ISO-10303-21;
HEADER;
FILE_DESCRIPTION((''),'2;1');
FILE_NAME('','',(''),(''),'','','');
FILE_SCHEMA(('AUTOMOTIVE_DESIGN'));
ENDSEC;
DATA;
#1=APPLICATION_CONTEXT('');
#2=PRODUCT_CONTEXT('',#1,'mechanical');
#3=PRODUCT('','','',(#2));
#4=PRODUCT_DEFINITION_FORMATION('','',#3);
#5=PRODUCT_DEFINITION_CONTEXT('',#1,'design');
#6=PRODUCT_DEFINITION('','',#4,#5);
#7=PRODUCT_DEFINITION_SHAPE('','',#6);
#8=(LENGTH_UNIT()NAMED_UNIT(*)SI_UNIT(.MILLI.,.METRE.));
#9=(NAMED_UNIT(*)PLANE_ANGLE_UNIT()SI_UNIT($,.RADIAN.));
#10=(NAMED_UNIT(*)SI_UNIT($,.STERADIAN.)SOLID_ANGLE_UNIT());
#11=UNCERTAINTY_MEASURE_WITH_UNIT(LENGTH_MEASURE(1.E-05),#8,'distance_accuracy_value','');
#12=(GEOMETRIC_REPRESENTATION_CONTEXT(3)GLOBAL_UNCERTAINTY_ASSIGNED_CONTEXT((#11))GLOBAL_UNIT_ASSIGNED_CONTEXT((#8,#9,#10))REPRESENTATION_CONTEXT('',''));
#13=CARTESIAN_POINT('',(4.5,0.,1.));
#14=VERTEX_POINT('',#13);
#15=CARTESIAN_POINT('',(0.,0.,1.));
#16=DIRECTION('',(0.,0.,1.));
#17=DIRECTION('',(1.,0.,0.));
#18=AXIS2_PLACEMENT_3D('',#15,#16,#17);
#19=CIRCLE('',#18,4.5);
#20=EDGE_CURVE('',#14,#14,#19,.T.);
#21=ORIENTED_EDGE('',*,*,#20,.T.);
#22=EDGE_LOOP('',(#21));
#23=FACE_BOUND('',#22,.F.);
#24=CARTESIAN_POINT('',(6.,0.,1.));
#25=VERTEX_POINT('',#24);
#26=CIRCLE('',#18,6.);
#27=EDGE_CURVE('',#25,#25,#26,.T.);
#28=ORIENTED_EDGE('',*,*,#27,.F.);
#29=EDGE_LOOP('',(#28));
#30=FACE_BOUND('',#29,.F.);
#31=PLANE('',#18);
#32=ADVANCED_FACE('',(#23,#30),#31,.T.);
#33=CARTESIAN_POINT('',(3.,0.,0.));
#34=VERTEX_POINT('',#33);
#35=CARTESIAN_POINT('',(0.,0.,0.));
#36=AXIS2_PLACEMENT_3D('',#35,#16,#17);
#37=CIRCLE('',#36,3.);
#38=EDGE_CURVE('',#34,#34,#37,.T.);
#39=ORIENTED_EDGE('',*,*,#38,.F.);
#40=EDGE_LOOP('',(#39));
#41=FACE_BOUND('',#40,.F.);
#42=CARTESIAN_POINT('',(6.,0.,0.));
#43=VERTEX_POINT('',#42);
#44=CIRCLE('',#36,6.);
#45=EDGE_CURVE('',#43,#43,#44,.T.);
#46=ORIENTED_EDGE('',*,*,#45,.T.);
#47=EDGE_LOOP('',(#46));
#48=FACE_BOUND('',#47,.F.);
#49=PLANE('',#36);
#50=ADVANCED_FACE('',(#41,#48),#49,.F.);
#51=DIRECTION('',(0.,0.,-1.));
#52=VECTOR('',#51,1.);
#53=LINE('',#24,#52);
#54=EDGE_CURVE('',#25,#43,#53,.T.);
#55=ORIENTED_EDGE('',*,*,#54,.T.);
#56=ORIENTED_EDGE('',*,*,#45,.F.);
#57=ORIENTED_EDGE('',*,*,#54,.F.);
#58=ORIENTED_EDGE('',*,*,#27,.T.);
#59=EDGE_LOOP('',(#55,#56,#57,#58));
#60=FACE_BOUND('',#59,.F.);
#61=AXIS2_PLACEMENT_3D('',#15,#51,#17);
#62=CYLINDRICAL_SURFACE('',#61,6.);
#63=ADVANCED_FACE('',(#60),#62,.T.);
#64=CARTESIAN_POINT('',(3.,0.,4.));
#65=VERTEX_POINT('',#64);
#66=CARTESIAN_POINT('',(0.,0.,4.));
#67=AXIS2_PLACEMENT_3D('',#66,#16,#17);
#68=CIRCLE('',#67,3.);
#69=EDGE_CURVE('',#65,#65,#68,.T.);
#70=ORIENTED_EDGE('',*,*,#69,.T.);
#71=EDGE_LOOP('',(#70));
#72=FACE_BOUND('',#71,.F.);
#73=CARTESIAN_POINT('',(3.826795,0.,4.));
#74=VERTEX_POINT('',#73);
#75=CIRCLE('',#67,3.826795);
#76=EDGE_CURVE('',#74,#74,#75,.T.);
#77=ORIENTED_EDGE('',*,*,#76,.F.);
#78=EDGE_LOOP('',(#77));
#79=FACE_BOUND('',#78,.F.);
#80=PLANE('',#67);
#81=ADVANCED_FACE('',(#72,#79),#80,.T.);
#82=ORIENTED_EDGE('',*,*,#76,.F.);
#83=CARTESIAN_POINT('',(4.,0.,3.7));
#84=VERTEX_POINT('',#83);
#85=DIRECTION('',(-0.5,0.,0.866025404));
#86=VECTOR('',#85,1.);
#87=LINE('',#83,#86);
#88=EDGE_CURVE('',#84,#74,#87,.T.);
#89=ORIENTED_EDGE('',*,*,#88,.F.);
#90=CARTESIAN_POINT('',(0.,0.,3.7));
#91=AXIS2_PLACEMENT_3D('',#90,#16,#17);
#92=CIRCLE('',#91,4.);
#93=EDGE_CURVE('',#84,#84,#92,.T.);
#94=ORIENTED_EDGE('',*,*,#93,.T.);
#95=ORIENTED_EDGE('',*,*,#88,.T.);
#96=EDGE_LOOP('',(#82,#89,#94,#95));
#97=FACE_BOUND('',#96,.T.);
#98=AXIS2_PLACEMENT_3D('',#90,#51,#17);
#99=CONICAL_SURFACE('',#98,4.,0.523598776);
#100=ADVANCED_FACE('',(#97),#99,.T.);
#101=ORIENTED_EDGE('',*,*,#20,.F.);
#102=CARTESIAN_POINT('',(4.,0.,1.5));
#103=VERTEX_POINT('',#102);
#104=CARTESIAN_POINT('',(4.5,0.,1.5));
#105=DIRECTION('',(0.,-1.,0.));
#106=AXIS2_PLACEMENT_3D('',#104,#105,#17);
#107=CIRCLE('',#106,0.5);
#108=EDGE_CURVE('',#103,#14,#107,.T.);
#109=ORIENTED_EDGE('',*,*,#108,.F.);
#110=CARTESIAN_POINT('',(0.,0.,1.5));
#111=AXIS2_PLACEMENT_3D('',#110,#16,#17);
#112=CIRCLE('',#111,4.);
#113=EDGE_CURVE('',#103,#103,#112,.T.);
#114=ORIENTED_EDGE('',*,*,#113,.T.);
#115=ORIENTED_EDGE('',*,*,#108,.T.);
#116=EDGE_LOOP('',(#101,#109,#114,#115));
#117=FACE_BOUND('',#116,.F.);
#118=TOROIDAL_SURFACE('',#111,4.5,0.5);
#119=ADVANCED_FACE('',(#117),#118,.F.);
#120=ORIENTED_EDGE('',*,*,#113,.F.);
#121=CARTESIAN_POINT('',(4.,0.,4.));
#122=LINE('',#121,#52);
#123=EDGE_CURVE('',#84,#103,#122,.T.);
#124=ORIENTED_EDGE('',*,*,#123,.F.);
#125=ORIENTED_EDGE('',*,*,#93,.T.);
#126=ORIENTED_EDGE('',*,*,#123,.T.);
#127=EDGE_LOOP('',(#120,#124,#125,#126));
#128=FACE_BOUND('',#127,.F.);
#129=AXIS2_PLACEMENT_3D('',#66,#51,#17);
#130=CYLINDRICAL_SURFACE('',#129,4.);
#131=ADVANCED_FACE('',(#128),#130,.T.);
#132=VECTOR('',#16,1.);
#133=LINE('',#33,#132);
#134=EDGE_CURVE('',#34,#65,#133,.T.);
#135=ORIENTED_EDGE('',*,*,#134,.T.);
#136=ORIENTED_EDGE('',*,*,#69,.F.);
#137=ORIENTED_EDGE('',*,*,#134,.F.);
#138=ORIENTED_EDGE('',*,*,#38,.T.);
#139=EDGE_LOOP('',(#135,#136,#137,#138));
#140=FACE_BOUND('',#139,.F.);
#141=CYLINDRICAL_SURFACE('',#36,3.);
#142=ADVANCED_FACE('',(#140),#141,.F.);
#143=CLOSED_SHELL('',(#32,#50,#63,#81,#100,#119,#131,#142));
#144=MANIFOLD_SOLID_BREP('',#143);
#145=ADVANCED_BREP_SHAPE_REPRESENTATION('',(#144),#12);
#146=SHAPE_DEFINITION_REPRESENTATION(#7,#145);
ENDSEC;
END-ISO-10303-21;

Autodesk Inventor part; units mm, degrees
ref_plane "YZ Plane" through (0, 0, 0) normal (1, 0, 0) x (0, 1, 0)
ref_plane "XZ Plane" through (0, 0, 0) normal (0, 1, 0) x (-1, 0, 0)
ref_plane "XY Plane" through (0, 0, 0) normal (0, 0, 1) x (1, 0, 0)
sketch "Sketch1" plane through (0, 0, 0) normal (0, 1, 0) x (-1, 0, 0)
  line L0 (0, 0) -> (0, 4)
  line L1 (-3, 0) -> (-3, 4)
  line L2 (-3, 4) -> (-4, 4)
  line L3 (-4, 4) -> (-4, 1)
  line L4 (-4, 1) -> (-6, 1)
  line L5 (-6, 1) -> (-6, 0)
  line L6 (-6, 0) -> (-3, 0)
  dimension "InsideDiameter" = 6
  dimension "OuterDiameter" = 8
  dimension "FlangeDiameter" = 12
  dimension "FlangeThickness" = 1
  dimension "Length" = 3
revolve "Revolution1" add sketch "Sketch1" angle 360 about axis through (0, 0, 0) along (0, 0, 1)
chamfer "Chamfer1" distance 0.3 angle 30 1 edges at (-4, 0, 4) measured on face at (3.987, -0.3219, 3)
fillet "Fillet1" radius 0.5 1 edges at (-4, 0, 1)
properties part number "GFM-0608-04" material "Acetal Resin, Black"
